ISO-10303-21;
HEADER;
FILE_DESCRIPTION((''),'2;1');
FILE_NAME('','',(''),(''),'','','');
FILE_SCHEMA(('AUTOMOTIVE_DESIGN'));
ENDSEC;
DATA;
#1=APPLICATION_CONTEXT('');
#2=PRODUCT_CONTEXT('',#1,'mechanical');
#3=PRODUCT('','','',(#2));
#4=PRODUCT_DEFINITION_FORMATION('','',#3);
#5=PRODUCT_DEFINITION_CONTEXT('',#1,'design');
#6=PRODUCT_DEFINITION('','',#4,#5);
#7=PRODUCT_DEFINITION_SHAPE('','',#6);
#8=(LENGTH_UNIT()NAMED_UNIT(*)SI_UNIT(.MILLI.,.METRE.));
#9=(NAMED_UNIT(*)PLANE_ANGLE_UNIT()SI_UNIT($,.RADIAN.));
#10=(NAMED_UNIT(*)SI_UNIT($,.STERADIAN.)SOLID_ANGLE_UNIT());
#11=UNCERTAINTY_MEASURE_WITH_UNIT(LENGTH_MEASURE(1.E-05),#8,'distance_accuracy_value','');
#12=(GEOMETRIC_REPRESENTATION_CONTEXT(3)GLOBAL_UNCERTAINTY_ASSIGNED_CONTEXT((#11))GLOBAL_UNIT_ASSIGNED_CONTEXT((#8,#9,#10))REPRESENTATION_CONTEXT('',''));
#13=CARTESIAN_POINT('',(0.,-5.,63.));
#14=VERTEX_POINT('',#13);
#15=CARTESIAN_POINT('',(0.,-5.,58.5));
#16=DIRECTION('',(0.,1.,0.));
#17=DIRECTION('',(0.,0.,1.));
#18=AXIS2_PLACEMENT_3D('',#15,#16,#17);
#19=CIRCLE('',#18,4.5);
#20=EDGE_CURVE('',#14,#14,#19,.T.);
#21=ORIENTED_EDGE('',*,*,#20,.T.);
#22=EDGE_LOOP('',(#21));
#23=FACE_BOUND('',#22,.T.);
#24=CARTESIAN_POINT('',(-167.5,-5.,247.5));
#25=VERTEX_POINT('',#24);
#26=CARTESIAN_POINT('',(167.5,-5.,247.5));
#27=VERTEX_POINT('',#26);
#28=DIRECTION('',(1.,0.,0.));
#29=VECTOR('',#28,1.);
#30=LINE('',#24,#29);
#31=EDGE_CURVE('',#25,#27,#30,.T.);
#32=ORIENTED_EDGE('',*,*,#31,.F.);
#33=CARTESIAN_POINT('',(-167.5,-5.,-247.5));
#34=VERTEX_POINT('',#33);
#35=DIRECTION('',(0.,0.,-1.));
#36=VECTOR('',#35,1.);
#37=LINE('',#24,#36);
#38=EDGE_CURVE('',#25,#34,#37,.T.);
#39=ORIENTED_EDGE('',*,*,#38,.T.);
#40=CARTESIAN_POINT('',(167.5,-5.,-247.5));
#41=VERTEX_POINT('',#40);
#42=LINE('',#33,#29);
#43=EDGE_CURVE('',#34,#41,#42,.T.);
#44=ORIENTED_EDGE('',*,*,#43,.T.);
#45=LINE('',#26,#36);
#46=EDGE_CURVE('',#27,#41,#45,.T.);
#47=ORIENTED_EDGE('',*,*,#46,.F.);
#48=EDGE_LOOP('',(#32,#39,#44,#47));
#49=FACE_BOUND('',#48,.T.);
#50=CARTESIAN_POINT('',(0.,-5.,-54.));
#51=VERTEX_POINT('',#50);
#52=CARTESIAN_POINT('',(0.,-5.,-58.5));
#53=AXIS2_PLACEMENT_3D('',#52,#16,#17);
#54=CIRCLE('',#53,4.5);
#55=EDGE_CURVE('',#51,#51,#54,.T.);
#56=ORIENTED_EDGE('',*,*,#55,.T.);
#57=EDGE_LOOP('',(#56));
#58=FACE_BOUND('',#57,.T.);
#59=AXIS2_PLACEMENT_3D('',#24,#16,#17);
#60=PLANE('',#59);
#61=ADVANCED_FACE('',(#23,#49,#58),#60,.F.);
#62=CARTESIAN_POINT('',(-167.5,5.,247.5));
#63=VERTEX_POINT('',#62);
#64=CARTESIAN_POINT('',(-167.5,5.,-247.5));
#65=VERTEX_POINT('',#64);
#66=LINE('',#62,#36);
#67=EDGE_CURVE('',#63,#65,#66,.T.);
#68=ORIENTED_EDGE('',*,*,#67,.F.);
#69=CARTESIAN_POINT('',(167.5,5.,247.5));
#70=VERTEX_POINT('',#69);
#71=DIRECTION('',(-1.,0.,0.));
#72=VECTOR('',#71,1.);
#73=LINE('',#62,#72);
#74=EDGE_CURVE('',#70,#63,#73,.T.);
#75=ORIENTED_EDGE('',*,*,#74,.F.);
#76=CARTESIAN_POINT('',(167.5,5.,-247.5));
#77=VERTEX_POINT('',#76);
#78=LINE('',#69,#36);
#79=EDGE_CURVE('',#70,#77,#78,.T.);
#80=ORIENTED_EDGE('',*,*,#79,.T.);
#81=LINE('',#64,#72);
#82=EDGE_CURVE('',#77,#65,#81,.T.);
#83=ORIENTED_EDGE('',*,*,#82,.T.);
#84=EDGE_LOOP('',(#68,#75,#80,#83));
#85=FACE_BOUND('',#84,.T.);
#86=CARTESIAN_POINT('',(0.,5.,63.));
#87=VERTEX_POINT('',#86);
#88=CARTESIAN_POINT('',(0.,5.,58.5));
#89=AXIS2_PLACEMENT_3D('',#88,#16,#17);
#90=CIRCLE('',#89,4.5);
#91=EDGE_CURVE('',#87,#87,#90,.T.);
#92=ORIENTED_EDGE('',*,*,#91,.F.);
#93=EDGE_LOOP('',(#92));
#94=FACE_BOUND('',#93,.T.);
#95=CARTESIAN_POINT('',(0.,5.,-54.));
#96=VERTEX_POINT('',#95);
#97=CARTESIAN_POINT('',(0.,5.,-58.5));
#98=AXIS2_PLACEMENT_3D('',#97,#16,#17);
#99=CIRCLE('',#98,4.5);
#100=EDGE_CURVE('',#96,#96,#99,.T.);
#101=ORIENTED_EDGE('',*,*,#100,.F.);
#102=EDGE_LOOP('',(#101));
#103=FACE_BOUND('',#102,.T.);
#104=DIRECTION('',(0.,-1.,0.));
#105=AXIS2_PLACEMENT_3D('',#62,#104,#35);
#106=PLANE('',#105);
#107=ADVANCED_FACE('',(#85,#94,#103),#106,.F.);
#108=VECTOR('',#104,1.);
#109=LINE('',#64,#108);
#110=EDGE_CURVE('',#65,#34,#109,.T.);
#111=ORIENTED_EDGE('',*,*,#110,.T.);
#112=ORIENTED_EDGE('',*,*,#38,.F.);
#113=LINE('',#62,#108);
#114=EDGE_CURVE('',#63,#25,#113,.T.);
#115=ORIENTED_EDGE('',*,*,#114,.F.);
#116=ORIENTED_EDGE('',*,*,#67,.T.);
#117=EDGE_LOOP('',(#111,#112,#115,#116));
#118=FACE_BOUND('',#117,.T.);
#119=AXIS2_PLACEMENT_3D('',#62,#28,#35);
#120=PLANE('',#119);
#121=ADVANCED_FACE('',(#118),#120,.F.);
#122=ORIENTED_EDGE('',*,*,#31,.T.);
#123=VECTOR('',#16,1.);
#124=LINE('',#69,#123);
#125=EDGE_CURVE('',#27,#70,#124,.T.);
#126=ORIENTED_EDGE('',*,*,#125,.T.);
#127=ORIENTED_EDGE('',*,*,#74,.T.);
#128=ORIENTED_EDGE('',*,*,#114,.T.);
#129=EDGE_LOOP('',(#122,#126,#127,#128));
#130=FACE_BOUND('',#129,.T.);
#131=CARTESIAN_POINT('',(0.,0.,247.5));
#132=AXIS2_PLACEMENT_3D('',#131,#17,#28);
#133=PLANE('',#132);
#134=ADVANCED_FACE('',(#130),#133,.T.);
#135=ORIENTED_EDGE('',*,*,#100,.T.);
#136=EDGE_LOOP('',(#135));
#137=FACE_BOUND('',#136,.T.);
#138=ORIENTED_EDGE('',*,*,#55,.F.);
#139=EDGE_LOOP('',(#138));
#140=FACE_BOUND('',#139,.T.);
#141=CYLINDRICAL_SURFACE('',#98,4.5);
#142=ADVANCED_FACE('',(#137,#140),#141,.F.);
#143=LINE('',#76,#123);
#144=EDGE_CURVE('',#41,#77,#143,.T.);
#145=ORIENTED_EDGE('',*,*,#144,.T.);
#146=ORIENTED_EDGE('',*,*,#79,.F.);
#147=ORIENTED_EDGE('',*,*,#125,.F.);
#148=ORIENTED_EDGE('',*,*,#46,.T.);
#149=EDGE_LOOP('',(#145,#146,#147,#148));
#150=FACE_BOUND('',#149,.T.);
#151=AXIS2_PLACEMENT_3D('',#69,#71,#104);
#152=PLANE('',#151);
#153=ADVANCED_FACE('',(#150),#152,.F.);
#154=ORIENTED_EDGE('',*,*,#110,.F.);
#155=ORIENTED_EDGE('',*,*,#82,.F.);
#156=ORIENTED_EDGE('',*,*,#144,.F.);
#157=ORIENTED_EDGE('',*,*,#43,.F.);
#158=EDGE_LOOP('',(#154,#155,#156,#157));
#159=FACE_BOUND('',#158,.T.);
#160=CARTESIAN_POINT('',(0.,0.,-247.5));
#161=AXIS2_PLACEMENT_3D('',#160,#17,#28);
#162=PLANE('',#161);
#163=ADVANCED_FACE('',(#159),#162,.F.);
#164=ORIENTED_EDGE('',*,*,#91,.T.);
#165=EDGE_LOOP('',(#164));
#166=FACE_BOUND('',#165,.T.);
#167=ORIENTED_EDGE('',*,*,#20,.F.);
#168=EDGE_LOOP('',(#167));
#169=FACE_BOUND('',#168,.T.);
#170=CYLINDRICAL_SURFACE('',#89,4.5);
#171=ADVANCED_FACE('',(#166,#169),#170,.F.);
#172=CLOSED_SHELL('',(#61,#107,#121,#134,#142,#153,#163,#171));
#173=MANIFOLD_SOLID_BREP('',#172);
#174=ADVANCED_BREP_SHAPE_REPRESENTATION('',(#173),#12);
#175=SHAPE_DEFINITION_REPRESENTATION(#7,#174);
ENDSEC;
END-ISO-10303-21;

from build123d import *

# Parameters (mm, degrees)
SKIZZE1_W                       = 335
SKIZZE1_H                       = 10
AUFSATZ_LINEAR_AUSTRAGEN1_DEPTH = 247.5
DURCHGANGSLOCH_F_R_M81_D        = 9


with BuildPart() as part:
    # Skizze1 → Aufsatz-Linear austragen1 (new, symmetric)
    with BuildSketch(Plane.XY):
        Rectangle(SKIZZE1_W, SKIZZE1_H)
    extrude(amount=AUFSATZ_LINEAR_AUSTRAGEN1_DEPTH, both=True)

    # Durchgangsloch für M81 (through all)
    with Locations(Plane(origin=(0, 5, 0), x_dir=(1, 0, 0), z_dir=(0, 1, 0))):
        with Locations((0, 58.5), (0, -58.5)):
            Hole(DURCHGANGSLOCH_F_R_M81_D / 2)


solid = part.part
